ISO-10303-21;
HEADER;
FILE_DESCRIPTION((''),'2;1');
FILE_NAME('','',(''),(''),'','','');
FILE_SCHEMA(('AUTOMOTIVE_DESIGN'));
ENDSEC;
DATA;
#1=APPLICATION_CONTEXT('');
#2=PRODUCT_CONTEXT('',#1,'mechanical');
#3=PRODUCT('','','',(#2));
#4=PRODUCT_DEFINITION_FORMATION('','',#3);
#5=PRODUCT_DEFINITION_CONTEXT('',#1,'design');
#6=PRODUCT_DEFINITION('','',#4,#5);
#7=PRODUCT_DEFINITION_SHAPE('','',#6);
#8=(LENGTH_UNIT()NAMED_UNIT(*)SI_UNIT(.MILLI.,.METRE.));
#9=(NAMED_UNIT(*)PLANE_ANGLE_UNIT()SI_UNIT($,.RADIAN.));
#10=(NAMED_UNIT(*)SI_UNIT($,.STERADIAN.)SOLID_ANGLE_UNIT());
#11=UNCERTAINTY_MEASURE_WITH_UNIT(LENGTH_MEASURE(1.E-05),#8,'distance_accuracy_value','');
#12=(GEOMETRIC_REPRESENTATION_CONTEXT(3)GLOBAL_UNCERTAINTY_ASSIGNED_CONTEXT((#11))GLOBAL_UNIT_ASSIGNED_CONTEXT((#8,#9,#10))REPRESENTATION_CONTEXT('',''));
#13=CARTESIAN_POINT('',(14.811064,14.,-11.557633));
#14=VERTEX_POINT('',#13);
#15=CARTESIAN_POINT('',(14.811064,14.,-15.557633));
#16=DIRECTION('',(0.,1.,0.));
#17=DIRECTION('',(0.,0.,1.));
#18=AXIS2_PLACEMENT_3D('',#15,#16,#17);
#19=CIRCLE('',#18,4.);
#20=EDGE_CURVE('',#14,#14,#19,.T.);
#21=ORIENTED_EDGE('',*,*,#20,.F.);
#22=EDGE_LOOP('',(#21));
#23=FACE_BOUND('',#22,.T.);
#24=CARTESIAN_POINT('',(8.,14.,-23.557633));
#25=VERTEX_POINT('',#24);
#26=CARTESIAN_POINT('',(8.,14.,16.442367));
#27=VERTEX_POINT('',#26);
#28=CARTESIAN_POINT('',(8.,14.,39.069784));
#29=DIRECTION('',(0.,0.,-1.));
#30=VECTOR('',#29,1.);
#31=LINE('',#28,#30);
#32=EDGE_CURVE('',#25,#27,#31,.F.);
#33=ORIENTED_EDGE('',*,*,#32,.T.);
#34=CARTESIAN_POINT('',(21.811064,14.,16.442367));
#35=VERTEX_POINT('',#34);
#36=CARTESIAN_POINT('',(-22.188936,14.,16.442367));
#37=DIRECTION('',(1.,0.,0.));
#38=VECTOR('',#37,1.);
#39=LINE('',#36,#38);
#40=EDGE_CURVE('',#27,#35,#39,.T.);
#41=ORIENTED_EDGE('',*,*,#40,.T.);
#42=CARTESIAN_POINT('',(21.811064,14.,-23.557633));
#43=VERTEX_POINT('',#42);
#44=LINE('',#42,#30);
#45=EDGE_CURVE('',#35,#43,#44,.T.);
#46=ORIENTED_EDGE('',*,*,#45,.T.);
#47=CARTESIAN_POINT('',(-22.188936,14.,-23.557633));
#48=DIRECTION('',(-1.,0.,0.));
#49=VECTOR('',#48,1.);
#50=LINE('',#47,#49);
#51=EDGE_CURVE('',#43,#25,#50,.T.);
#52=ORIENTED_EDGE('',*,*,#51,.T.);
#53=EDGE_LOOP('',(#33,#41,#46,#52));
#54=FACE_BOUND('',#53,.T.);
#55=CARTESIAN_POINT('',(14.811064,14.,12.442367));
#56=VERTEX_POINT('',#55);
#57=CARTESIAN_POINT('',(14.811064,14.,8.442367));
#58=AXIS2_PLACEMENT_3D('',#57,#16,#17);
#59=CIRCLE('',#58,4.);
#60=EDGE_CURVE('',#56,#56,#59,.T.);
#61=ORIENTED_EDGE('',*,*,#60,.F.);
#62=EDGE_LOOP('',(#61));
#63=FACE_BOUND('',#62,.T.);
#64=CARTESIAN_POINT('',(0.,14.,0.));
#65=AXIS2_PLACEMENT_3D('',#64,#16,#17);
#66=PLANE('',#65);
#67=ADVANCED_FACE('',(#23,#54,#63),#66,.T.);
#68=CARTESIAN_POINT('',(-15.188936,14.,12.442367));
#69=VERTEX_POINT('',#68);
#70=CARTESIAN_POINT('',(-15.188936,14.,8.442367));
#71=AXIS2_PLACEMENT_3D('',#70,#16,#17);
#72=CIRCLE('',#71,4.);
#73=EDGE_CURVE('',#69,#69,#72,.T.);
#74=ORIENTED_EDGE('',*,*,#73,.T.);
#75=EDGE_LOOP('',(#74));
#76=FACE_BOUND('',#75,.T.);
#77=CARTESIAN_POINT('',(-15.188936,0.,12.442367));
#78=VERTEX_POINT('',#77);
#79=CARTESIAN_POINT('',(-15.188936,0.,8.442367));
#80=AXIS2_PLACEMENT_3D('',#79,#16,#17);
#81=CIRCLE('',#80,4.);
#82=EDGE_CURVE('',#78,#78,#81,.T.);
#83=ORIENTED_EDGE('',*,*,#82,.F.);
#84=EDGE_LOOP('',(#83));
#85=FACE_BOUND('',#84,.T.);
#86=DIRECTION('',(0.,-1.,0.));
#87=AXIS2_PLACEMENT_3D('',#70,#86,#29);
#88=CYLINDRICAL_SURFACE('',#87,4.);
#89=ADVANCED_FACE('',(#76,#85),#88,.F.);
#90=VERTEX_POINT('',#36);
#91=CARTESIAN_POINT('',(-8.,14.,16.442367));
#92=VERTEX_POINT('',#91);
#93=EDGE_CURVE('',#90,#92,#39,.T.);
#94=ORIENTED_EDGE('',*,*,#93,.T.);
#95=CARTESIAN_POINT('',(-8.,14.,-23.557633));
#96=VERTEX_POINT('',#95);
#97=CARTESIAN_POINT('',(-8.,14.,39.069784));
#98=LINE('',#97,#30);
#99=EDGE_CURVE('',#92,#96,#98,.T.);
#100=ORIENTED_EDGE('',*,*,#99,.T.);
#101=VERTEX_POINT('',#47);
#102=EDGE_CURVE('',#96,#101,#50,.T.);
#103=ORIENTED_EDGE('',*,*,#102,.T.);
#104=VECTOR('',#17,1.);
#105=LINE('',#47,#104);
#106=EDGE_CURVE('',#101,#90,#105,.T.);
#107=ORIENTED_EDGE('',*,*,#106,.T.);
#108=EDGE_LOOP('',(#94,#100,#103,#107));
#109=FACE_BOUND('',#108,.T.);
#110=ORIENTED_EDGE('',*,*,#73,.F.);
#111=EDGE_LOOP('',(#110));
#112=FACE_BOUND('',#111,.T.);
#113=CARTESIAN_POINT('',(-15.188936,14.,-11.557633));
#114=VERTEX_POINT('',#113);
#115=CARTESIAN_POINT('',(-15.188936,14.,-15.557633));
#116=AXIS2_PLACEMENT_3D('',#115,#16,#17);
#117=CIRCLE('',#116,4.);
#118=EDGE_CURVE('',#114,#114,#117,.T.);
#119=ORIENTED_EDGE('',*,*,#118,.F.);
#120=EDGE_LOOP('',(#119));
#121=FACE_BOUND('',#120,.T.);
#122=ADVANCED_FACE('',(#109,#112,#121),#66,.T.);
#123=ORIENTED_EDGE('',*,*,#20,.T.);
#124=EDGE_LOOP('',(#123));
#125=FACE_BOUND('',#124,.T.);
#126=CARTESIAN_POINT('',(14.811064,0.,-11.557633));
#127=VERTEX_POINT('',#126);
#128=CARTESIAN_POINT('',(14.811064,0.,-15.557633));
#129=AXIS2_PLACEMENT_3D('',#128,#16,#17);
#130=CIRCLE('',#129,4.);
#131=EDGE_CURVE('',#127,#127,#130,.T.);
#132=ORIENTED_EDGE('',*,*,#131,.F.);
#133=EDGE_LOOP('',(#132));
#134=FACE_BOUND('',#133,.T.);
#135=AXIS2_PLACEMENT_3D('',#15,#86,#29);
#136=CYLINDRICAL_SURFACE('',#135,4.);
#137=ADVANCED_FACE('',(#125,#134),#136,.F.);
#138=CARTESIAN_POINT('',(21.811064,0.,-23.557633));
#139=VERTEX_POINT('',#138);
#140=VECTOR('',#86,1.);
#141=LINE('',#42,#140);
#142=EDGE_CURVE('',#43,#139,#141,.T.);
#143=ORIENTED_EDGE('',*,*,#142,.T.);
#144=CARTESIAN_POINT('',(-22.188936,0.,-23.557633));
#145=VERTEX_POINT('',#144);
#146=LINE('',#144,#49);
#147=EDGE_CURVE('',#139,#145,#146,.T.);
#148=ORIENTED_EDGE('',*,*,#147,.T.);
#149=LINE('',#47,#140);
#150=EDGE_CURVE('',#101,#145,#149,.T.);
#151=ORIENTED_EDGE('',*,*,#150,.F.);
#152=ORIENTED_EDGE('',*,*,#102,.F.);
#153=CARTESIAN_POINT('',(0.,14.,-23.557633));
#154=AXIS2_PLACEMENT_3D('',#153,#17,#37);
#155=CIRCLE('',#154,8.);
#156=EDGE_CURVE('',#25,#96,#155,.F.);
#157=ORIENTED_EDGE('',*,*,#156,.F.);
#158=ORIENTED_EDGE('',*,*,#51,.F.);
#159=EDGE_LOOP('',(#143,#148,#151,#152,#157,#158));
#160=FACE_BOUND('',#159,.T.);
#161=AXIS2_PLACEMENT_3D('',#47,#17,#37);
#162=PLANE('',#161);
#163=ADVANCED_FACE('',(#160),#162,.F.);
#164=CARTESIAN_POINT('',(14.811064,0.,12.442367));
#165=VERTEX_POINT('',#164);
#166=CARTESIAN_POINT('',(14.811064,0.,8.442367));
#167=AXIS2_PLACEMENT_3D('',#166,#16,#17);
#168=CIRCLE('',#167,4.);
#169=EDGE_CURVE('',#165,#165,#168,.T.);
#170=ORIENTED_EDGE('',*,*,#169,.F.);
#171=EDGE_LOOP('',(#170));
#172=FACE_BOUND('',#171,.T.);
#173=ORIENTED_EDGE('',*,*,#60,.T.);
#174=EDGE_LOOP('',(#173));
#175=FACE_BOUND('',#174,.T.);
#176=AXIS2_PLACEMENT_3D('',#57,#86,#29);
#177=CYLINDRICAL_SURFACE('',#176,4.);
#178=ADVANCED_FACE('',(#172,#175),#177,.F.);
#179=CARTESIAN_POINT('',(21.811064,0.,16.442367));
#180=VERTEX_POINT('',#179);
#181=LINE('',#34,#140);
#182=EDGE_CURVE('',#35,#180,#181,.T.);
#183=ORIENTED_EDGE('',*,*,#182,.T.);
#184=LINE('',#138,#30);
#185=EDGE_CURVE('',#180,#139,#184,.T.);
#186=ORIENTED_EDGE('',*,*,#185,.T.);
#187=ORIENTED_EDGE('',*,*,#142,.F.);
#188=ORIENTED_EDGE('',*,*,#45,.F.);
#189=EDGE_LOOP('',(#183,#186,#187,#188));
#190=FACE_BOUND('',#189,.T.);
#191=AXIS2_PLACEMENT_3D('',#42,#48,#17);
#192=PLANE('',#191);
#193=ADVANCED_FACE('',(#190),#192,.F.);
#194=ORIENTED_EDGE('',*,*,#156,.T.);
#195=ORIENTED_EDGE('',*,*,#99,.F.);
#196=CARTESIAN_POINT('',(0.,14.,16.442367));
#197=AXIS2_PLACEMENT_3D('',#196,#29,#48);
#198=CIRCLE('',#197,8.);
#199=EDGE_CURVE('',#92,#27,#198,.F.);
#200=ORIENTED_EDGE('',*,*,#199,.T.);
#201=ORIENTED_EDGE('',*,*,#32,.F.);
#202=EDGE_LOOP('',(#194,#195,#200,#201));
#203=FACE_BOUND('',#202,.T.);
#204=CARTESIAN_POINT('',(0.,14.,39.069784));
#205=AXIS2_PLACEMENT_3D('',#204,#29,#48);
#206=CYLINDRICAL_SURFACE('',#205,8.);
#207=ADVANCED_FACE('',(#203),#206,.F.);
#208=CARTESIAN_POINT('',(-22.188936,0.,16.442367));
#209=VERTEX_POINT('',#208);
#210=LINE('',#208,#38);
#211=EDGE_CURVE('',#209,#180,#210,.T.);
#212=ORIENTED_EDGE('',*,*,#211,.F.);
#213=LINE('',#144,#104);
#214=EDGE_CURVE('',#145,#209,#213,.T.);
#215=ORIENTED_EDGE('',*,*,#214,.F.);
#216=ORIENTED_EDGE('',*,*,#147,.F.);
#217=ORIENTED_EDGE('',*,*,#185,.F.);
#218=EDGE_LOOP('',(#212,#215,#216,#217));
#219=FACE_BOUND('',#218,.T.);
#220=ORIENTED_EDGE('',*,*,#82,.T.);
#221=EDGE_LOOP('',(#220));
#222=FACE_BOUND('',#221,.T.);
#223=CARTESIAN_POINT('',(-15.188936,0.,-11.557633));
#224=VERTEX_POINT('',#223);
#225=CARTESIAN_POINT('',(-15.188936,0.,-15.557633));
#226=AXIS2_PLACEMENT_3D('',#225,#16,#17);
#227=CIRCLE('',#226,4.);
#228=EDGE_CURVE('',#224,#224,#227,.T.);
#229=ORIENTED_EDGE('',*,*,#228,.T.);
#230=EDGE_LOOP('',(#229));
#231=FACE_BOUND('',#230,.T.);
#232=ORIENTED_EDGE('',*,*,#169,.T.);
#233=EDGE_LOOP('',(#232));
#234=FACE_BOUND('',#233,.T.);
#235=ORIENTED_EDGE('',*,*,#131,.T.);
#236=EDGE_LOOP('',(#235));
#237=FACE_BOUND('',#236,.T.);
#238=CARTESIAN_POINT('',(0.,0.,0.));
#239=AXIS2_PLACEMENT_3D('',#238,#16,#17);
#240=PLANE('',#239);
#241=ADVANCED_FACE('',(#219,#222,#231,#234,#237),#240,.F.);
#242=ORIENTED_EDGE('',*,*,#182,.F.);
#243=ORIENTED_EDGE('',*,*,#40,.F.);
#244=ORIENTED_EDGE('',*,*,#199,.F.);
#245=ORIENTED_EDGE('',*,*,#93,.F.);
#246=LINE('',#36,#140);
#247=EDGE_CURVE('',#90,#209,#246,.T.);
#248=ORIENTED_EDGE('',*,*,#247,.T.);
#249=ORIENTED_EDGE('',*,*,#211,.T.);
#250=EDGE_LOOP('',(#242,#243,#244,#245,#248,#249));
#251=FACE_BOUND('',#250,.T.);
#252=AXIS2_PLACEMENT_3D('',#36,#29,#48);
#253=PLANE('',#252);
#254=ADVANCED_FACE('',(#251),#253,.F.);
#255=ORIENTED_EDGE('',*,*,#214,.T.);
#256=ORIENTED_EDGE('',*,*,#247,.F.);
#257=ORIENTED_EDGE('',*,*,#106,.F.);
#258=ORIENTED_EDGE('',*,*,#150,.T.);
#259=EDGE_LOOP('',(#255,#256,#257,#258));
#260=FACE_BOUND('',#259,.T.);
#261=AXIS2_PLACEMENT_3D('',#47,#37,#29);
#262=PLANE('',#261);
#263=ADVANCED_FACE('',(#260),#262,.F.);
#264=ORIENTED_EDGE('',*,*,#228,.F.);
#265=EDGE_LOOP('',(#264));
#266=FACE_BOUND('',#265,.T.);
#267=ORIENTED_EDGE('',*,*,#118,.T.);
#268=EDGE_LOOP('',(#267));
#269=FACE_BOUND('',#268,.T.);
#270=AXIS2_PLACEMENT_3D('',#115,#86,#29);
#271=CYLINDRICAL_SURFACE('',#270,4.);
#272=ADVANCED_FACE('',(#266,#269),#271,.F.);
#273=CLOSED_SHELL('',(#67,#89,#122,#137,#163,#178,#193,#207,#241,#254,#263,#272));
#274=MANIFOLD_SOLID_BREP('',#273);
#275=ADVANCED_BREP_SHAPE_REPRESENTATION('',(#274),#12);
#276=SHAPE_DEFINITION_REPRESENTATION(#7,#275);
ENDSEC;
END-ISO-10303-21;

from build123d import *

# Parameters (mm, degrees)
SKETCH1_W                      = 44
SKETCH1_H                      = 40
SKETCH1_R                      = 4
BOSS_EXTRUDE1_DEPTH            = 14
CUT_EXTRUDE1_REACH             = 18.442
SKETCH2_R                      = 8
CUT_EXTRUDE1_DIRECTION_2_REACH = 25.558


with BuildPart() as part:
    # Sketch1 → Boss-Extrude1 (new body)
    with BuildSketch(Plane(origin=(0, 0, 0), x_dir=(1, 0, 0), z_dir=(0, 1, 0))):
        with Locations((-0.188936111, 3.557633072)):
            Rectangle(SKETCH1_W, SKETCH1_H)
        with Locations((14.811063889, -8.442366928)):
            Circle(SKETCH1_R, mode=Mode.SUBTRACT)
        with Locations((14.811063889, 15.557633072)):
            Circle(SKETCH1_R, mode=Mode.SUBTRACT)
        with Locations((-15.188936111, 15.557633072)):
            Circle(SKETCH1_R, mode=Mode.SUBTRACT)
        with Locations((-15.188936111, -8.442366928)):
            Circle(SKETCH1_R, mode=Mode.SUBTRACT)
    extrude(amount=BOSS_EXTRUDE1_DEPTH)

    # Cut-Extrude1: up to this face of the body (flat: up to its plane)
    cut_extrude1_end = Plane(part.part.faces().sort_by_distance((-0.188936111, 7, 16.442366928))[0])
    # Sketch2 → Cut-Extrude1 (cut, up to the picked face)
    with BuildSketch(Plane.XY, mode=Mode.PRIVATE) as cut_extrude1_sk1:
        with Locations((0, 14)):
            Circle(SKETCH2_R)
    cut_extrude1_tool1 = split(extrude(cut_extrude1_sk1.sketch, amount=CUT_EXTRUDE1_REACH, mode=Mode.PRIVATE), bisect_by=cut_extrude1_end, keep=Keep.BOTH, mode=Mode.PRIVATE)
    add(cut_extrude1_tool1.solids().sort_by_distance((0, 14, 0))[0], mode=Mode.SUBTRACT)

    # Cut-Extrude1 direction 2: up to this face of the body (flat: up to its plane)
    cut_extrude1_direction_2_end = Plane(part.part.faces().sort_by_distance((-0.188936111, 7, -23.557633072))[0])
    # Sketch2 → Cut-Extrude1 direction 2 (cut, up to the picked face)
    with BuildSketch(Plane.XY, mode=Mode.PRIVATE) as cut_extrude1_direction_2_sk1:
        with Locations((0, 14)):
            Circle(SKETCH2_R)
    cut_extrude1_direction_2_tool1 = split(extrude(cut_extrude1_direction_2_sk1.sketch, amount=-CUT_EXTRUDE1_DIRECTION_2_REACH, mode=Mode.PRIVATE), bisect_by=cut_extrude1_direction_2_end, keep=Keep.BOTH, mode=Mode.PRIVATE)
    add(cut_extrude1_direction_2_tool1.solids().sort_by_distance((0, 14, 0))[0], mode=Mode.SUBTRACT)


solid = part.part
